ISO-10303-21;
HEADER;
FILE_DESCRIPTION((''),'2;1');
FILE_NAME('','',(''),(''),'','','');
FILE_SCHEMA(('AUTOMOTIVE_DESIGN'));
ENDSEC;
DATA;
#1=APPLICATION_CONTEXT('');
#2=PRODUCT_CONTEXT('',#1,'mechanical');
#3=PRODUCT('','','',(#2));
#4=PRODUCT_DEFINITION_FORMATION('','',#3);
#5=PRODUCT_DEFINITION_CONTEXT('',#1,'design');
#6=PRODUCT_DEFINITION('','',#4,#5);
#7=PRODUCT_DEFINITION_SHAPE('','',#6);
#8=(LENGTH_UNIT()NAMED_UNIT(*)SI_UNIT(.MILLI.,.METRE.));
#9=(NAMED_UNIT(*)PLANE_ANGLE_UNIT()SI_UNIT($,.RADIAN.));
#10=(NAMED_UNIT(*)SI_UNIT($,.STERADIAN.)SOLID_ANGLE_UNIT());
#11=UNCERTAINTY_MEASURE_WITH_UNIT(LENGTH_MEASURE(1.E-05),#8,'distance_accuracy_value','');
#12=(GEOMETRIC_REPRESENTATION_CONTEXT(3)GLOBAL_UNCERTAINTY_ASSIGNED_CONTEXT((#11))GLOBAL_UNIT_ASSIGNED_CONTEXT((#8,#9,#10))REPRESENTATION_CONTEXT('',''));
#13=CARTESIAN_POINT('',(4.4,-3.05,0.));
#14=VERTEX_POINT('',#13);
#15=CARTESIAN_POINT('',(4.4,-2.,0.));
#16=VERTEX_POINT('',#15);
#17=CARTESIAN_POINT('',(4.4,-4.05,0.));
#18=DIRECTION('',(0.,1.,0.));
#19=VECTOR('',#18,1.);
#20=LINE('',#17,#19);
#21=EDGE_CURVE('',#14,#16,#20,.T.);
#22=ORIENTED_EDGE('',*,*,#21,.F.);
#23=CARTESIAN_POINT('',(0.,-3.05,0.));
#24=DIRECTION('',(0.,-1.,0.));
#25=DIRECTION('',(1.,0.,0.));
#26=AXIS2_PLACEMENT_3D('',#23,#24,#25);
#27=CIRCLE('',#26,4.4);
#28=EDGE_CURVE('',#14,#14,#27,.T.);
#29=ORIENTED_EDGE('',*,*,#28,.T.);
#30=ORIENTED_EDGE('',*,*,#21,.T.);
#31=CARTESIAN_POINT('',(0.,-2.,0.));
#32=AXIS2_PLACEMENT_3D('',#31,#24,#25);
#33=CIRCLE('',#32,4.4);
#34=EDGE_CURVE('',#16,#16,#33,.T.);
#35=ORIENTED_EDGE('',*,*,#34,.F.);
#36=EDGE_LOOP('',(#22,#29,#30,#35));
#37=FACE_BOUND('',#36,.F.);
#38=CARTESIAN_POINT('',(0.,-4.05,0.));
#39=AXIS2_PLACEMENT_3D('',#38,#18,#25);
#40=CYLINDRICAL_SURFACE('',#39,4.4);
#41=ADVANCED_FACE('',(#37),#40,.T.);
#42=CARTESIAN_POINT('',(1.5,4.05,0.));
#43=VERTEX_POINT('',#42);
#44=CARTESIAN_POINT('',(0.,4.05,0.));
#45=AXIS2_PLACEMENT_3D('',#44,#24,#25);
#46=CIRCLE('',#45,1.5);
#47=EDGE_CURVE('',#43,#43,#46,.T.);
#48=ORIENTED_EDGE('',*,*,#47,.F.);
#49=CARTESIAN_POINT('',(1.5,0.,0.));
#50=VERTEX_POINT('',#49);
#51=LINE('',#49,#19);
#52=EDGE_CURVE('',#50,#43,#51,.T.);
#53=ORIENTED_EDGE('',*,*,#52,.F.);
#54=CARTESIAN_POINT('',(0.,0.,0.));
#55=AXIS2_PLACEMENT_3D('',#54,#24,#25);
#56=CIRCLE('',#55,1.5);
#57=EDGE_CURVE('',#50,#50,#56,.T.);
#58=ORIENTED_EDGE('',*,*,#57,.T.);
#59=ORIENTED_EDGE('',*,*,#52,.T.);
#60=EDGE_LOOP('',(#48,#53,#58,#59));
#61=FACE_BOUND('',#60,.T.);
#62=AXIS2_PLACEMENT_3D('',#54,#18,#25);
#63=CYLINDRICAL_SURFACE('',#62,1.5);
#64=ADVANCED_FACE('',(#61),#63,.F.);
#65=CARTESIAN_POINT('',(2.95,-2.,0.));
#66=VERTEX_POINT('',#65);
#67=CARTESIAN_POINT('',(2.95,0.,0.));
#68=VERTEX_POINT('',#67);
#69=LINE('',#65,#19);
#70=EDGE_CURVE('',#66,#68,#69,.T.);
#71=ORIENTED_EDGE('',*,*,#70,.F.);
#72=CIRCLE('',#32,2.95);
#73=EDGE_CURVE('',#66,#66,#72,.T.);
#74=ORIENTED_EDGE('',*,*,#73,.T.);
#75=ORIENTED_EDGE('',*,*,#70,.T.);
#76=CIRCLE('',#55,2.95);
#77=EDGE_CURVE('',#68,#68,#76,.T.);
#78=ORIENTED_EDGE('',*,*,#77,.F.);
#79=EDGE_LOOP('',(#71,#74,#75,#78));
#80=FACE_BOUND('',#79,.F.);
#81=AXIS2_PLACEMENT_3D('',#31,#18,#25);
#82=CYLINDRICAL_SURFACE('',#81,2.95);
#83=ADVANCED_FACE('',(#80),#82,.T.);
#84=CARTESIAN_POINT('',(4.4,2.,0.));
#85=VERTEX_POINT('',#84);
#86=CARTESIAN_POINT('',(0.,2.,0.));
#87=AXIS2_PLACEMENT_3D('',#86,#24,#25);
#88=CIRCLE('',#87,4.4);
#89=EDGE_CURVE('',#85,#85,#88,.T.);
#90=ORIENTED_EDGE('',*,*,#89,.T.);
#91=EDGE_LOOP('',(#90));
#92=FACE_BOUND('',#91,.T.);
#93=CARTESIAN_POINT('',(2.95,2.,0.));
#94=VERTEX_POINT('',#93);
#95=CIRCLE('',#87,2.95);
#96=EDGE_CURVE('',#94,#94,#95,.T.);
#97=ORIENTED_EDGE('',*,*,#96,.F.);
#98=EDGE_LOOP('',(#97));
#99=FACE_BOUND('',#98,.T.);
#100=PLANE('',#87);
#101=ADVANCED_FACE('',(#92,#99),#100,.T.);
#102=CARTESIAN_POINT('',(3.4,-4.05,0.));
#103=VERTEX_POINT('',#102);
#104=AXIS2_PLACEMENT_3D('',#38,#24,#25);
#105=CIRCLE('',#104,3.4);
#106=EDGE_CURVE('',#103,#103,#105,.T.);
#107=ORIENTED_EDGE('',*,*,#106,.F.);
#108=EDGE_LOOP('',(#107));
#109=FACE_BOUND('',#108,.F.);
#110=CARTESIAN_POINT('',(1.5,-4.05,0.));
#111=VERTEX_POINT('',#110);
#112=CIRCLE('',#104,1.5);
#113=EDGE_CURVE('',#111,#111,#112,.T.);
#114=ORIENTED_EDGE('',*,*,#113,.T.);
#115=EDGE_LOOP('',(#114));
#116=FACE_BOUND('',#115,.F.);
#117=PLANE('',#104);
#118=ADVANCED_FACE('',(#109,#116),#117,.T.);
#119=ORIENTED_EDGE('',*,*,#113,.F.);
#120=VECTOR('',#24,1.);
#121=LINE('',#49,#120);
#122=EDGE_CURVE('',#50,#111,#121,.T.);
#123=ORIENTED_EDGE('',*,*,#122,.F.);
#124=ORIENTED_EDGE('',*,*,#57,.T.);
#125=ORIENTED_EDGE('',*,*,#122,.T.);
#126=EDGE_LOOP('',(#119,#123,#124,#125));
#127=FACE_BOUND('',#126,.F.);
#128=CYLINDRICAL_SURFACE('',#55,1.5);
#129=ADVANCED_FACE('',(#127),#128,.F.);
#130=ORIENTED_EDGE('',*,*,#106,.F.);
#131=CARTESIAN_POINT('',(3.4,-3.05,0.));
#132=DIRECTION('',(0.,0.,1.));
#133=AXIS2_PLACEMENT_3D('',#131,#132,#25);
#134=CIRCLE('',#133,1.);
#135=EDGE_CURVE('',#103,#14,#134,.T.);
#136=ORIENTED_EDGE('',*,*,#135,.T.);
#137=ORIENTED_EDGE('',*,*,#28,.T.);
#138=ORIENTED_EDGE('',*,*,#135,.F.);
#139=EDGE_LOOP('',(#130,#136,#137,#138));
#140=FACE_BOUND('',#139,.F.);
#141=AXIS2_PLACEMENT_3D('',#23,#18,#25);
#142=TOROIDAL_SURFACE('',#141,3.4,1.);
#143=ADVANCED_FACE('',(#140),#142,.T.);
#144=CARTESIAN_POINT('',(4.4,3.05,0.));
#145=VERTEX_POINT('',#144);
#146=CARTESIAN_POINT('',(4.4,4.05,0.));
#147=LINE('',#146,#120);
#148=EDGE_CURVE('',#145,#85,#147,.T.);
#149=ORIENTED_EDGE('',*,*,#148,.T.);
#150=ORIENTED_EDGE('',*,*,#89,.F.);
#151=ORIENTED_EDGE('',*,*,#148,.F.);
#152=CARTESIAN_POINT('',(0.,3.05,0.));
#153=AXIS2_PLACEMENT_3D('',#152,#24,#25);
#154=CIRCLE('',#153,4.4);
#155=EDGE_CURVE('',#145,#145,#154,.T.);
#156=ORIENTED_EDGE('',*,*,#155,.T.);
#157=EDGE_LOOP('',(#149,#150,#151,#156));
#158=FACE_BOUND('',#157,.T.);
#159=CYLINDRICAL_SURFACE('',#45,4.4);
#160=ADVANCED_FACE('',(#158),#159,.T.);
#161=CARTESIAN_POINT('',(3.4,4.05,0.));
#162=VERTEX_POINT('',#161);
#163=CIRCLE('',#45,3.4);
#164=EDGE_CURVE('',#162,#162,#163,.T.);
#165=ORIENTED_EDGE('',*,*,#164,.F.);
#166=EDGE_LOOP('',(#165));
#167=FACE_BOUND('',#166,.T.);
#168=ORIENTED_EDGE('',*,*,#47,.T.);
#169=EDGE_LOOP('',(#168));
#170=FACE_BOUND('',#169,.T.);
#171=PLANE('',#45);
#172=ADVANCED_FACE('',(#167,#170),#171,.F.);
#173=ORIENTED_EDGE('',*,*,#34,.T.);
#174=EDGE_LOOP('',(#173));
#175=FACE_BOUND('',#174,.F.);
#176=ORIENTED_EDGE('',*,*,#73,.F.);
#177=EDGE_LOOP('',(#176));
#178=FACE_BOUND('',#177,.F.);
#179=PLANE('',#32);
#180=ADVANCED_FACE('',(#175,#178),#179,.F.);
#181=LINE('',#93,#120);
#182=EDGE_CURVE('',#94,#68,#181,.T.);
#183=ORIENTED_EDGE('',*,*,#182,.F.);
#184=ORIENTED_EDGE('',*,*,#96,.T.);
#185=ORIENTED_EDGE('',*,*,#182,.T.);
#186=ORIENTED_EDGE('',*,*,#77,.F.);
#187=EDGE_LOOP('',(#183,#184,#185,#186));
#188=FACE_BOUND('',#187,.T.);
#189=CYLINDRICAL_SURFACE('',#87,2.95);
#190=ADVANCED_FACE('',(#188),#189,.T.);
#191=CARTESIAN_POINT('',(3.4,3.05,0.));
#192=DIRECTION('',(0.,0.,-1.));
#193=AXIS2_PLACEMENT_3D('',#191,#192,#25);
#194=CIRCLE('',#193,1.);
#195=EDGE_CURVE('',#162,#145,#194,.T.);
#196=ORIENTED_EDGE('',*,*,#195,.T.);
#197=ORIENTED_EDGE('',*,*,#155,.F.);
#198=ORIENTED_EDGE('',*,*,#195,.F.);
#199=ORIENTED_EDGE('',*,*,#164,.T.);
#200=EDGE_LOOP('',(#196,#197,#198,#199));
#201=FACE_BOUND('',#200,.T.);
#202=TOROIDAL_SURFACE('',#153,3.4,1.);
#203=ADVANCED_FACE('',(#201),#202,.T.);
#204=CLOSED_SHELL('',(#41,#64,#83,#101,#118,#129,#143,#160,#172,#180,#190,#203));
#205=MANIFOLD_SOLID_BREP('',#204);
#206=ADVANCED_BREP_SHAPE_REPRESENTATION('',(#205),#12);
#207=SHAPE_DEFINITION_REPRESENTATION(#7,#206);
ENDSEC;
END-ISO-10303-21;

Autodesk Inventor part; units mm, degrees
ref_plane "YZ Plane" through (0, 0, 0) normal (1, 0, 0) x (0, 1, 0)
ref_plane "XZ Plane" through (0, 0, 0) normal (0, 1, 0) x (-1, 0, 0)
ref_plane "XY Plane" through (0, 0, 0) normal (0, 0, 1) x (1, 0, 0)
sketch "Sketch1" plane through (0, 0, 0) normal (0, 0, 1) x (1, 0, 0)
  line L0 (1.5, 0) -> (1.5, 4.05)
  line L1 (1.5, 4.05) -> (4.4, 4.05)
  line L2 (4.4, 4.05) -> (4.4, 2)
  line L3 (4.4, 2) -> (2.95, 2)
  line L4 (2.95, 2) -> (2.95, 0)
  line L5 (0, 0) -> (18.7234, 0) construction
  line L6 (0, 16.7698) -> (0, -15.2532)
  line L7 (1.5, 0) -> (1.5, -4.05)
  line L8 (1.5, -4.05) -> (4.4, -4.05)
  line L9 (4.4, -4.05) -> (4.4, -2)
  line L10 (4.4, -2) -> (2.95, -2)
  line L11 (2.95, -2) -> (2.95, 0)
  dimension "d1" = 0
  dimension "d3" = 3
  dimension "d4" = 5.9
  dimension "d5" = 8.8
  dimension "d6" = 8.1
  dimension "d7" = 4
revolve "Revolution1" add sketch "Sketch1" angle 360 about axis through (0, 16.7698, 0) along (0, -1, 0)
fillet "Fillet1" radius 1 1 edges at (-4.4, 4.05, 0)
fillet "Fillet2" radius 1 1 edges at (-4.4, -4.05, 0)
properties part number "Grommet"
